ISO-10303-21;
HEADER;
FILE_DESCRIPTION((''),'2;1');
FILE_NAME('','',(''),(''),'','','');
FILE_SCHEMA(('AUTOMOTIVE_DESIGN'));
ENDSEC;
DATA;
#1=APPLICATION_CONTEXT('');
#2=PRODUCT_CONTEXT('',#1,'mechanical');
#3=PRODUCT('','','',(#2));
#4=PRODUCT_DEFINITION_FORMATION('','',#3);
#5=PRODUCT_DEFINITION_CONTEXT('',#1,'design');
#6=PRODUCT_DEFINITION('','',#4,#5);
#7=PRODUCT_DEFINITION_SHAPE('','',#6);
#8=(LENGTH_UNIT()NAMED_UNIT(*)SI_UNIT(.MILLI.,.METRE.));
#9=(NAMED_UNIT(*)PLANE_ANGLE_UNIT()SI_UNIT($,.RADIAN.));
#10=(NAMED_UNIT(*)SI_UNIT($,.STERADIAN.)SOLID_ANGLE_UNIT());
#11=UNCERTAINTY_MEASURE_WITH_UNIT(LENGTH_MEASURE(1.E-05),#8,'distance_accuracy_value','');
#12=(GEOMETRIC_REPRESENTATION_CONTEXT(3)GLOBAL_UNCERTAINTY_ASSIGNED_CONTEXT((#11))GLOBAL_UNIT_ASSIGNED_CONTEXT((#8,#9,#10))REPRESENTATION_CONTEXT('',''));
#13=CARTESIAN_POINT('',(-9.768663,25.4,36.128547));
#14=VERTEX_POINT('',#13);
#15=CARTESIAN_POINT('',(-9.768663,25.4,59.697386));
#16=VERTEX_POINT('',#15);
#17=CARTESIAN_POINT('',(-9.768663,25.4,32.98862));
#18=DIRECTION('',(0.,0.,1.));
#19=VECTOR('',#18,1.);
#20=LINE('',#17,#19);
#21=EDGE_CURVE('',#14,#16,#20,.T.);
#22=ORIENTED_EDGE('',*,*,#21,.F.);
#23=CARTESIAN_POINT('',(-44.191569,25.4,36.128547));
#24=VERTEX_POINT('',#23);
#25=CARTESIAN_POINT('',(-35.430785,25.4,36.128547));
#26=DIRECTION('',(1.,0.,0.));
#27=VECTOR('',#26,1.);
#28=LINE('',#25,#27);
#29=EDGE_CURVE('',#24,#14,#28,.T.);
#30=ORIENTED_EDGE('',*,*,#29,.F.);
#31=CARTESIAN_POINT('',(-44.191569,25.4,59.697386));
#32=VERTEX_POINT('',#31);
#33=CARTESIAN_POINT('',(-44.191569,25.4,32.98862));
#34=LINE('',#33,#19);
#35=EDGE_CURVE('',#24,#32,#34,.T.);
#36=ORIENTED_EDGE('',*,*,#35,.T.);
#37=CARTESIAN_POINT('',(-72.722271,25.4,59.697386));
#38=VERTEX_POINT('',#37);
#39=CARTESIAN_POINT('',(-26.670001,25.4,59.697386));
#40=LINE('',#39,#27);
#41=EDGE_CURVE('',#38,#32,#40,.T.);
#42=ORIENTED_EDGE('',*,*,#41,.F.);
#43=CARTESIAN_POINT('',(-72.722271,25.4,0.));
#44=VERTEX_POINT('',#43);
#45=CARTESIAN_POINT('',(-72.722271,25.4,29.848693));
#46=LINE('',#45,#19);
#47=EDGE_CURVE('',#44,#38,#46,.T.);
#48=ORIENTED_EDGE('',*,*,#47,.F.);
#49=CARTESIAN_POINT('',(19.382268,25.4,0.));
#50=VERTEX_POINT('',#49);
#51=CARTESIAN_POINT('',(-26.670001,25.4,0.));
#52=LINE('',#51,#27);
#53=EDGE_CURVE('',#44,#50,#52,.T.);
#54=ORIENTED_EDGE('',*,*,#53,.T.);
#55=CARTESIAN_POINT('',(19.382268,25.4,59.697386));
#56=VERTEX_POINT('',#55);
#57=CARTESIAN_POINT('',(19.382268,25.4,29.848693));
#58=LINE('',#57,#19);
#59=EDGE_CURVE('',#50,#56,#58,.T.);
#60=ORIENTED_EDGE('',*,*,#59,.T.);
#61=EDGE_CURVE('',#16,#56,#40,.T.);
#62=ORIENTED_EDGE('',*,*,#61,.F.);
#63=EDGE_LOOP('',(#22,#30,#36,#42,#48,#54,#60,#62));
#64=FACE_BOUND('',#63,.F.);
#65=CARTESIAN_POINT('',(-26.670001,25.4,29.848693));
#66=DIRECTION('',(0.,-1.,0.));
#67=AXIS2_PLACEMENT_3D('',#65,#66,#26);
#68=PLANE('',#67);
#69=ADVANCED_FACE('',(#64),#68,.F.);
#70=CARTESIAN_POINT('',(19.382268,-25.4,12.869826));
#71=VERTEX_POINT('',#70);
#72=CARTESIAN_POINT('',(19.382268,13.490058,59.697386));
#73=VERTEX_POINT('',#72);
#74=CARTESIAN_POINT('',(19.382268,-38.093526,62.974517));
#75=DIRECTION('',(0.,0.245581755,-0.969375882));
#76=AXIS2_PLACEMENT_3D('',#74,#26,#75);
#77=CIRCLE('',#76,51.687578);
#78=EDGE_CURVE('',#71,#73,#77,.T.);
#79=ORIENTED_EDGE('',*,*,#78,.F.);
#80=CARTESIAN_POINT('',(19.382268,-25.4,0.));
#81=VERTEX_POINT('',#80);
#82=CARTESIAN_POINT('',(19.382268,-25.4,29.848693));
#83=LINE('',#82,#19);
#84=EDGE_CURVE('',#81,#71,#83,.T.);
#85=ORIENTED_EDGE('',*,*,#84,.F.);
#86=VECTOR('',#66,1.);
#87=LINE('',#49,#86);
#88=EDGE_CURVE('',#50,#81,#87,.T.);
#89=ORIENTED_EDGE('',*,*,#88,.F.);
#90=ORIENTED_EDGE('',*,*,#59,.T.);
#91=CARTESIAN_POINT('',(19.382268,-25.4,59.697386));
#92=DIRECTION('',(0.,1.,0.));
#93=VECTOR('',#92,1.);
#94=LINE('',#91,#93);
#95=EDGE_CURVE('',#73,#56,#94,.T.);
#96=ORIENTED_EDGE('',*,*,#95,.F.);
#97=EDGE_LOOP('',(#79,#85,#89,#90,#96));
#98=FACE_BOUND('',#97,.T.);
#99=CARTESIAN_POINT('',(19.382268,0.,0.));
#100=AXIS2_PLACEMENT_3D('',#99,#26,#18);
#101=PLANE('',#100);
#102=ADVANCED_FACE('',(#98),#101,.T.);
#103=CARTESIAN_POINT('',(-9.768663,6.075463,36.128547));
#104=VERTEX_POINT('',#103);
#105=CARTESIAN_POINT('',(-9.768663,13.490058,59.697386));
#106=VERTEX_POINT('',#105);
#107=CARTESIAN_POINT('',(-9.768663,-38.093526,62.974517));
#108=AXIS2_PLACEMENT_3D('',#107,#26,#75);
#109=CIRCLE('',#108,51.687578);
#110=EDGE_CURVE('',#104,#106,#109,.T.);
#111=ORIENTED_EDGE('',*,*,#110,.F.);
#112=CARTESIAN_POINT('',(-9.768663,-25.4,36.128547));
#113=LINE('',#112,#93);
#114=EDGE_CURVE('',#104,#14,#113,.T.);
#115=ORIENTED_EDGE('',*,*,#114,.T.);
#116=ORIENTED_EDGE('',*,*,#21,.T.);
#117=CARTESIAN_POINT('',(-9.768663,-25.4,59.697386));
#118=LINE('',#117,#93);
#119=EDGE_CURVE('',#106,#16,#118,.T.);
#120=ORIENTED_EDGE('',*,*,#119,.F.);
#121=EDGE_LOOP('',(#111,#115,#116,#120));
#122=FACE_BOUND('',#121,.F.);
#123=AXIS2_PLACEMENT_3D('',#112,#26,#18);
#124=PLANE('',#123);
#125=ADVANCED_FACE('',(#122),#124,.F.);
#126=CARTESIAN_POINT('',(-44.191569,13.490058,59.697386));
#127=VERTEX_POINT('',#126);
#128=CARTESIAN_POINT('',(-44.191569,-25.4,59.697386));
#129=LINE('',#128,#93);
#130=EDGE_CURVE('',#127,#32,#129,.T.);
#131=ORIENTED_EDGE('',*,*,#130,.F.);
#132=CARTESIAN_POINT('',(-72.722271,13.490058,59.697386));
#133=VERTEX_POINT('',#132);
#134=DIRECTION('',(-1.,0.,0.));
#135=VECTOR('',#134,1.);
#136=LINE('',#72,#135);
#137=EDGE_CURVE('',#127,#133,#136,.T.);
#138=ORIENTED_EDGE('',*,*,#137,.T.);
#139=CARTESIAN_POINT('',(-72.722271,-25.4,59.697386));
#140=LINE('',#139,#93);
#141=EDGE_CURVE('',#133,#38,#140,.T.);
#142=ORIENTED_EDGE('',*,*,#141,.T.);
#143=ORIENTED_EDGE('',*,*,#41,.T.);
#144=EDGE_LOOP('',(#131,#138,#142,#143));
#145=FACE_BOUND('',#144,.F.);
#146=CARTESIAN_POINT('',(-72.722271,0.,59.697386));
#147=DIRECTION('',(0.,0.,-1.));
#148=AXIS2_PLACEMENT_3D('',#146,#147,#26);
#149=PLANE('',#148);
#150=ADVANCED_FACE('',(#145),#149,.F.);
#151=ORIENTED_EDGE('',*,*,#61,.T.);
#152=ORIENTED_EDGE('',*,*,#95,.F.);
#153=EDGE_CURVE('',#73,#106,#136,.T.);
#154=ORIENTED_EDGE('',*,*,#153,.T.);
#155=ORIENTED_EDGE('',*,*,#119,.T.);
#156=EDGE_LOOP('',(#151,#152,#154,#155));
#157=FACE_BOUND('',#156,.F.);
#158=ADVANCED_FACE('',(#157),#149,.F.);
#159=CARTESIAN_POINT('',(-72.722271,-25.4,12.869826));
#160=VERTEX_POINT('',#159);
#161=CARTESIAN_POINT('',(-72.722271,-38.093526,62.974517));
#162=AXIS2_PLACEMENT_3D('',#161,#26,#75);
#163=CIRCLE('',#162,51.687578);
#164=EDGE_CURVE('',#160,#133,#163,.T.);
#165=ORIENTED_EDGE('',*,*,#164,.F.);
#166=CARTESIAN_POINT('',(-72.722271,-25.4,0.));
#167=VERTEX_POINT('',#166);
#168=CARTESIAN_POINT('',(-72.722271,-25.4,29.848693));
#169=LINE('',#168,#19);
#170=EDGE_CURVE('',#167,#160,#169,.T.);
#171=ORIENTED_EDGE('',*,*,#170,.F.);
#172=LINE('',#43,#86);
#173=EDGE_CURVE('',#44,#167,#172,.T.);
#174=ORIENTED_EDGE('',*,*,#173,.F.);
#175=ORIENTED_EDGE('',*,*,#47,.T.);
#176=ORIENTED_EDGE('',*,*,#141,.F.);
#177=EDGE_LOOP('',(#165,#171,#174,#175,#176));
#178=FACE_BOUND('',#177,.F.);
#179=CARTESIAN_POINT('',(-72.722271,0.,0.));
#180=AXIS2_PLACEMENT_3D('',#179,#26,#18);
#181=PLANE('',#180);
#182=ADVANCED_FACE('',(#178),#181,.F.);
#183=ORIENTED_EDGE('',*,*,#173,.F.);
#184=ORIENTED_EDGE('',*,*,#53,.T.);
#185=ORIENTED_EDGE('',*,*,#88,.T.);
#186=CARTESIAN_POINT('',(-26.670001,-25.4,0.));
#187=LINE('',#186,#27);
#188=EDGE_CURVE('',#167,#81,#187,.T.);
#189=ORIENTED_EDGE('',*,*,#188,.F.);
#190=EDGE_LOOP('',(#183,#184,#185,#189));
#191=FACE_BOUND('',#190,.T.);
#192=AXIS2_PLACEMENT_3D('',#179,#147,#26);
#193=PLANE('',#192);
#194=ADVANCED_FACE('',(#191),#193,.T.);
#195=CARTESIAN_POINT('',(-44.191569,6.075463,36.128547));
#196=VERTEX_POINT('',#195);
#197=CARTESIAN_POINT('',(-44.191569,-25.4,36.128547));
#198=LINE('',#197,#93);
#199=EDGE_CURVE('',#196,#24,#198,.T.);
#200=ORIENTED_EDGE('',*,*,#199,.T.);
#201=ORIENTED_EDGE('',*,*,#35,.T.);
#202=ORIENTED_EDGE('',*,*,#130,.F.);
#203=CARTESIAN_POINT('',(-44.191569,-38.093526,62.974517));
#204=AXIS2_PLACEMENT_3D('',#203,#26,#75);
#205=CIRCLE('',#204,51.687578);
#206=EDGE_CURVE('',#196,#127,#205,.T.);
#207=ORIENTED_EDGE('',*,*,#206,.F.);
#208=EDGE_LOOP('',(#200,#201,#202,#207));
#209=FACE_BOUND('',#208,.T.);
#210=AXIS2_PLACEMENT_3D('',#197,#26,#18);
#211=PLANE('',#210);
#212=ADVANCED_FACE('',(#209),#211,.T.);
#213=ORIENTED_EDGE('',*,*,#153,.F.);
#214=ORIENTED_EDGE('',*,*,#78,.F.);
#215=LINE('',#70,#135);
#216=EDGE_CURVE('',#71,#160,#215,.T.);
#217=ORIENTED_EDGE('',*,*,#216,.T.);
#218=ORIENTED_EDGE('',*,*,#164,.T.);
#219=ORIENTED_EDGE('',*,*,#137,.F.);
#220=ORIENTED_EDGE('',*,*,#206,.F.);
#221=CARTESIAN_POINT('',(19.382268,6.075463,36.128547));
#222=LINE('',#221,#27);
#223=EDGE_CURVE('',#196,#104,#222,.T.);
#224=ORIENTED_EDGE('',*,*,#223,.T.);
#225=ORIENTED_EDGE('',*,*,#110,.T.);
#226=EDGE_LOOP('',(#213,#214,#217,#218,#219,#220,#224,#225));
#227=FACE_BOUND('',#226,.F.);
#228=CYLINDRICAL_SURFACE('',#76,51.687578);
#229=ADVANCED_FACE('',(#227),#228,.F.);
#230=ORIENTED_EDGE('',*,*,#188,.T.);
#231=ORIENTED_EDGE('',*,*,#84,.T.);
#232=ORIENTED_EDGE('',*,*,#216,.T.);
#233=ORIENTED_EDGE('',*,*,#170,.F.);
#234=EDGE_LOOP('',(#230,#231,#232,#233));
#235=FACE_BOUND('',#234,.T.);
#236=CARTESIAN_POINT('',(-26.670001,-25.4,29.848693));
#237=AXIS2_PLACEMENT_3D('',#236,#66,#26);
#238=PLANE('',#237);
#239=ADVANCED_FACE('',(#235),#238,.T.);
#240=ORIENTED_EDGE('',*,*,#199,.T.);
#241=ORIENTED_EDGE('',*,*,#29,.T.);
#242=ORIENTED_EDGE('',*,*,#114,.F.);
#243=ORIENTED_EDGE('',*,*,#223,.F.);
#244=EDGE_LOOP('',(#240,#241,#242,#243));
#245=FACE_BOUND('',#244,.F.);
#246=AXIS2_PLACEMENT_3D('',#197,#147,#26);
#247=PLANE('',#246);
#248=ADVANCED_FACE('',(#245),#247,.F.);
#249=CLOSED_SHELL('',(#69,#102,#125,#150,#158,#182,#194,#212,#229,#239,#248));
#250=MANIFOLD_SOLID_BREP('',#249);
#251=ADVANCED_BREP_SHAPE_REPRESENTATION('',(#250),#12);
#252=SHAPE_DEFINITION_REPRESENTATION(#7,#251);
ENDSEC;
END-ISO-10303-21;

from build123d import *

# Parameters (mm, degrees)
F0_W     = 92.1045392752
F0_H     = 59.6973858774
F1_DEPTH = 25.4
F2_DEPTH = 25.4
F4_W     = 34.4229061157
F4_H     = 23.5688388348
F5_DEPTH = 70.612
F6_DEPTH = 99.568


with BuildPart() as f1:
    # F0 (on Front) → F1 (new body)
    with BuildSketch(Plane.XZ):
        with Locations((-26.6700014472, 29.8486929387)):
            Rectangle(F0_W, F0_H)
    extrude(amount=F1_DEPTH)

    # F2 (add): a face of the model
    f2_faces = [f1.faces().sort_by_distance(p)[0] for p in [
        (-26.6700014472, 0, 29.8486929387),
    ]]
    extrude(f2_faces, amount=F2_DEPTH)

    # F4 (on face) → F5 (cut)
    with BuildSketch(Plane.XZ.offset(25.4)):
        with Locations((-26.9801160321, 47.91296646)):
            Rectangle(F4_W, F4_H)
    extrude(amount=-F5_DEPTH, mode=Mode.SUBTRACT)

    # F3 (on face) → F6 (cut)
    with BuildSketch(Plane.YZ.offset(19.3822681904)):
        with BuildLine():
            Line((-25.4, 59.6973858774), (-25.4, 12.8698255867))
            ThreePointArc((-25.4, 12.8698255867), (1.6694190997, 29.9515872227), (13.4900575504, 59.6973858774))
            Line((13.4900575504, 59.6973858774), (-25.4, 59.6973858774))
        make_face()
    extrude(amount=-F6_DEPTH, mode=Mode.SUBTRACT)


solid = f1.part
